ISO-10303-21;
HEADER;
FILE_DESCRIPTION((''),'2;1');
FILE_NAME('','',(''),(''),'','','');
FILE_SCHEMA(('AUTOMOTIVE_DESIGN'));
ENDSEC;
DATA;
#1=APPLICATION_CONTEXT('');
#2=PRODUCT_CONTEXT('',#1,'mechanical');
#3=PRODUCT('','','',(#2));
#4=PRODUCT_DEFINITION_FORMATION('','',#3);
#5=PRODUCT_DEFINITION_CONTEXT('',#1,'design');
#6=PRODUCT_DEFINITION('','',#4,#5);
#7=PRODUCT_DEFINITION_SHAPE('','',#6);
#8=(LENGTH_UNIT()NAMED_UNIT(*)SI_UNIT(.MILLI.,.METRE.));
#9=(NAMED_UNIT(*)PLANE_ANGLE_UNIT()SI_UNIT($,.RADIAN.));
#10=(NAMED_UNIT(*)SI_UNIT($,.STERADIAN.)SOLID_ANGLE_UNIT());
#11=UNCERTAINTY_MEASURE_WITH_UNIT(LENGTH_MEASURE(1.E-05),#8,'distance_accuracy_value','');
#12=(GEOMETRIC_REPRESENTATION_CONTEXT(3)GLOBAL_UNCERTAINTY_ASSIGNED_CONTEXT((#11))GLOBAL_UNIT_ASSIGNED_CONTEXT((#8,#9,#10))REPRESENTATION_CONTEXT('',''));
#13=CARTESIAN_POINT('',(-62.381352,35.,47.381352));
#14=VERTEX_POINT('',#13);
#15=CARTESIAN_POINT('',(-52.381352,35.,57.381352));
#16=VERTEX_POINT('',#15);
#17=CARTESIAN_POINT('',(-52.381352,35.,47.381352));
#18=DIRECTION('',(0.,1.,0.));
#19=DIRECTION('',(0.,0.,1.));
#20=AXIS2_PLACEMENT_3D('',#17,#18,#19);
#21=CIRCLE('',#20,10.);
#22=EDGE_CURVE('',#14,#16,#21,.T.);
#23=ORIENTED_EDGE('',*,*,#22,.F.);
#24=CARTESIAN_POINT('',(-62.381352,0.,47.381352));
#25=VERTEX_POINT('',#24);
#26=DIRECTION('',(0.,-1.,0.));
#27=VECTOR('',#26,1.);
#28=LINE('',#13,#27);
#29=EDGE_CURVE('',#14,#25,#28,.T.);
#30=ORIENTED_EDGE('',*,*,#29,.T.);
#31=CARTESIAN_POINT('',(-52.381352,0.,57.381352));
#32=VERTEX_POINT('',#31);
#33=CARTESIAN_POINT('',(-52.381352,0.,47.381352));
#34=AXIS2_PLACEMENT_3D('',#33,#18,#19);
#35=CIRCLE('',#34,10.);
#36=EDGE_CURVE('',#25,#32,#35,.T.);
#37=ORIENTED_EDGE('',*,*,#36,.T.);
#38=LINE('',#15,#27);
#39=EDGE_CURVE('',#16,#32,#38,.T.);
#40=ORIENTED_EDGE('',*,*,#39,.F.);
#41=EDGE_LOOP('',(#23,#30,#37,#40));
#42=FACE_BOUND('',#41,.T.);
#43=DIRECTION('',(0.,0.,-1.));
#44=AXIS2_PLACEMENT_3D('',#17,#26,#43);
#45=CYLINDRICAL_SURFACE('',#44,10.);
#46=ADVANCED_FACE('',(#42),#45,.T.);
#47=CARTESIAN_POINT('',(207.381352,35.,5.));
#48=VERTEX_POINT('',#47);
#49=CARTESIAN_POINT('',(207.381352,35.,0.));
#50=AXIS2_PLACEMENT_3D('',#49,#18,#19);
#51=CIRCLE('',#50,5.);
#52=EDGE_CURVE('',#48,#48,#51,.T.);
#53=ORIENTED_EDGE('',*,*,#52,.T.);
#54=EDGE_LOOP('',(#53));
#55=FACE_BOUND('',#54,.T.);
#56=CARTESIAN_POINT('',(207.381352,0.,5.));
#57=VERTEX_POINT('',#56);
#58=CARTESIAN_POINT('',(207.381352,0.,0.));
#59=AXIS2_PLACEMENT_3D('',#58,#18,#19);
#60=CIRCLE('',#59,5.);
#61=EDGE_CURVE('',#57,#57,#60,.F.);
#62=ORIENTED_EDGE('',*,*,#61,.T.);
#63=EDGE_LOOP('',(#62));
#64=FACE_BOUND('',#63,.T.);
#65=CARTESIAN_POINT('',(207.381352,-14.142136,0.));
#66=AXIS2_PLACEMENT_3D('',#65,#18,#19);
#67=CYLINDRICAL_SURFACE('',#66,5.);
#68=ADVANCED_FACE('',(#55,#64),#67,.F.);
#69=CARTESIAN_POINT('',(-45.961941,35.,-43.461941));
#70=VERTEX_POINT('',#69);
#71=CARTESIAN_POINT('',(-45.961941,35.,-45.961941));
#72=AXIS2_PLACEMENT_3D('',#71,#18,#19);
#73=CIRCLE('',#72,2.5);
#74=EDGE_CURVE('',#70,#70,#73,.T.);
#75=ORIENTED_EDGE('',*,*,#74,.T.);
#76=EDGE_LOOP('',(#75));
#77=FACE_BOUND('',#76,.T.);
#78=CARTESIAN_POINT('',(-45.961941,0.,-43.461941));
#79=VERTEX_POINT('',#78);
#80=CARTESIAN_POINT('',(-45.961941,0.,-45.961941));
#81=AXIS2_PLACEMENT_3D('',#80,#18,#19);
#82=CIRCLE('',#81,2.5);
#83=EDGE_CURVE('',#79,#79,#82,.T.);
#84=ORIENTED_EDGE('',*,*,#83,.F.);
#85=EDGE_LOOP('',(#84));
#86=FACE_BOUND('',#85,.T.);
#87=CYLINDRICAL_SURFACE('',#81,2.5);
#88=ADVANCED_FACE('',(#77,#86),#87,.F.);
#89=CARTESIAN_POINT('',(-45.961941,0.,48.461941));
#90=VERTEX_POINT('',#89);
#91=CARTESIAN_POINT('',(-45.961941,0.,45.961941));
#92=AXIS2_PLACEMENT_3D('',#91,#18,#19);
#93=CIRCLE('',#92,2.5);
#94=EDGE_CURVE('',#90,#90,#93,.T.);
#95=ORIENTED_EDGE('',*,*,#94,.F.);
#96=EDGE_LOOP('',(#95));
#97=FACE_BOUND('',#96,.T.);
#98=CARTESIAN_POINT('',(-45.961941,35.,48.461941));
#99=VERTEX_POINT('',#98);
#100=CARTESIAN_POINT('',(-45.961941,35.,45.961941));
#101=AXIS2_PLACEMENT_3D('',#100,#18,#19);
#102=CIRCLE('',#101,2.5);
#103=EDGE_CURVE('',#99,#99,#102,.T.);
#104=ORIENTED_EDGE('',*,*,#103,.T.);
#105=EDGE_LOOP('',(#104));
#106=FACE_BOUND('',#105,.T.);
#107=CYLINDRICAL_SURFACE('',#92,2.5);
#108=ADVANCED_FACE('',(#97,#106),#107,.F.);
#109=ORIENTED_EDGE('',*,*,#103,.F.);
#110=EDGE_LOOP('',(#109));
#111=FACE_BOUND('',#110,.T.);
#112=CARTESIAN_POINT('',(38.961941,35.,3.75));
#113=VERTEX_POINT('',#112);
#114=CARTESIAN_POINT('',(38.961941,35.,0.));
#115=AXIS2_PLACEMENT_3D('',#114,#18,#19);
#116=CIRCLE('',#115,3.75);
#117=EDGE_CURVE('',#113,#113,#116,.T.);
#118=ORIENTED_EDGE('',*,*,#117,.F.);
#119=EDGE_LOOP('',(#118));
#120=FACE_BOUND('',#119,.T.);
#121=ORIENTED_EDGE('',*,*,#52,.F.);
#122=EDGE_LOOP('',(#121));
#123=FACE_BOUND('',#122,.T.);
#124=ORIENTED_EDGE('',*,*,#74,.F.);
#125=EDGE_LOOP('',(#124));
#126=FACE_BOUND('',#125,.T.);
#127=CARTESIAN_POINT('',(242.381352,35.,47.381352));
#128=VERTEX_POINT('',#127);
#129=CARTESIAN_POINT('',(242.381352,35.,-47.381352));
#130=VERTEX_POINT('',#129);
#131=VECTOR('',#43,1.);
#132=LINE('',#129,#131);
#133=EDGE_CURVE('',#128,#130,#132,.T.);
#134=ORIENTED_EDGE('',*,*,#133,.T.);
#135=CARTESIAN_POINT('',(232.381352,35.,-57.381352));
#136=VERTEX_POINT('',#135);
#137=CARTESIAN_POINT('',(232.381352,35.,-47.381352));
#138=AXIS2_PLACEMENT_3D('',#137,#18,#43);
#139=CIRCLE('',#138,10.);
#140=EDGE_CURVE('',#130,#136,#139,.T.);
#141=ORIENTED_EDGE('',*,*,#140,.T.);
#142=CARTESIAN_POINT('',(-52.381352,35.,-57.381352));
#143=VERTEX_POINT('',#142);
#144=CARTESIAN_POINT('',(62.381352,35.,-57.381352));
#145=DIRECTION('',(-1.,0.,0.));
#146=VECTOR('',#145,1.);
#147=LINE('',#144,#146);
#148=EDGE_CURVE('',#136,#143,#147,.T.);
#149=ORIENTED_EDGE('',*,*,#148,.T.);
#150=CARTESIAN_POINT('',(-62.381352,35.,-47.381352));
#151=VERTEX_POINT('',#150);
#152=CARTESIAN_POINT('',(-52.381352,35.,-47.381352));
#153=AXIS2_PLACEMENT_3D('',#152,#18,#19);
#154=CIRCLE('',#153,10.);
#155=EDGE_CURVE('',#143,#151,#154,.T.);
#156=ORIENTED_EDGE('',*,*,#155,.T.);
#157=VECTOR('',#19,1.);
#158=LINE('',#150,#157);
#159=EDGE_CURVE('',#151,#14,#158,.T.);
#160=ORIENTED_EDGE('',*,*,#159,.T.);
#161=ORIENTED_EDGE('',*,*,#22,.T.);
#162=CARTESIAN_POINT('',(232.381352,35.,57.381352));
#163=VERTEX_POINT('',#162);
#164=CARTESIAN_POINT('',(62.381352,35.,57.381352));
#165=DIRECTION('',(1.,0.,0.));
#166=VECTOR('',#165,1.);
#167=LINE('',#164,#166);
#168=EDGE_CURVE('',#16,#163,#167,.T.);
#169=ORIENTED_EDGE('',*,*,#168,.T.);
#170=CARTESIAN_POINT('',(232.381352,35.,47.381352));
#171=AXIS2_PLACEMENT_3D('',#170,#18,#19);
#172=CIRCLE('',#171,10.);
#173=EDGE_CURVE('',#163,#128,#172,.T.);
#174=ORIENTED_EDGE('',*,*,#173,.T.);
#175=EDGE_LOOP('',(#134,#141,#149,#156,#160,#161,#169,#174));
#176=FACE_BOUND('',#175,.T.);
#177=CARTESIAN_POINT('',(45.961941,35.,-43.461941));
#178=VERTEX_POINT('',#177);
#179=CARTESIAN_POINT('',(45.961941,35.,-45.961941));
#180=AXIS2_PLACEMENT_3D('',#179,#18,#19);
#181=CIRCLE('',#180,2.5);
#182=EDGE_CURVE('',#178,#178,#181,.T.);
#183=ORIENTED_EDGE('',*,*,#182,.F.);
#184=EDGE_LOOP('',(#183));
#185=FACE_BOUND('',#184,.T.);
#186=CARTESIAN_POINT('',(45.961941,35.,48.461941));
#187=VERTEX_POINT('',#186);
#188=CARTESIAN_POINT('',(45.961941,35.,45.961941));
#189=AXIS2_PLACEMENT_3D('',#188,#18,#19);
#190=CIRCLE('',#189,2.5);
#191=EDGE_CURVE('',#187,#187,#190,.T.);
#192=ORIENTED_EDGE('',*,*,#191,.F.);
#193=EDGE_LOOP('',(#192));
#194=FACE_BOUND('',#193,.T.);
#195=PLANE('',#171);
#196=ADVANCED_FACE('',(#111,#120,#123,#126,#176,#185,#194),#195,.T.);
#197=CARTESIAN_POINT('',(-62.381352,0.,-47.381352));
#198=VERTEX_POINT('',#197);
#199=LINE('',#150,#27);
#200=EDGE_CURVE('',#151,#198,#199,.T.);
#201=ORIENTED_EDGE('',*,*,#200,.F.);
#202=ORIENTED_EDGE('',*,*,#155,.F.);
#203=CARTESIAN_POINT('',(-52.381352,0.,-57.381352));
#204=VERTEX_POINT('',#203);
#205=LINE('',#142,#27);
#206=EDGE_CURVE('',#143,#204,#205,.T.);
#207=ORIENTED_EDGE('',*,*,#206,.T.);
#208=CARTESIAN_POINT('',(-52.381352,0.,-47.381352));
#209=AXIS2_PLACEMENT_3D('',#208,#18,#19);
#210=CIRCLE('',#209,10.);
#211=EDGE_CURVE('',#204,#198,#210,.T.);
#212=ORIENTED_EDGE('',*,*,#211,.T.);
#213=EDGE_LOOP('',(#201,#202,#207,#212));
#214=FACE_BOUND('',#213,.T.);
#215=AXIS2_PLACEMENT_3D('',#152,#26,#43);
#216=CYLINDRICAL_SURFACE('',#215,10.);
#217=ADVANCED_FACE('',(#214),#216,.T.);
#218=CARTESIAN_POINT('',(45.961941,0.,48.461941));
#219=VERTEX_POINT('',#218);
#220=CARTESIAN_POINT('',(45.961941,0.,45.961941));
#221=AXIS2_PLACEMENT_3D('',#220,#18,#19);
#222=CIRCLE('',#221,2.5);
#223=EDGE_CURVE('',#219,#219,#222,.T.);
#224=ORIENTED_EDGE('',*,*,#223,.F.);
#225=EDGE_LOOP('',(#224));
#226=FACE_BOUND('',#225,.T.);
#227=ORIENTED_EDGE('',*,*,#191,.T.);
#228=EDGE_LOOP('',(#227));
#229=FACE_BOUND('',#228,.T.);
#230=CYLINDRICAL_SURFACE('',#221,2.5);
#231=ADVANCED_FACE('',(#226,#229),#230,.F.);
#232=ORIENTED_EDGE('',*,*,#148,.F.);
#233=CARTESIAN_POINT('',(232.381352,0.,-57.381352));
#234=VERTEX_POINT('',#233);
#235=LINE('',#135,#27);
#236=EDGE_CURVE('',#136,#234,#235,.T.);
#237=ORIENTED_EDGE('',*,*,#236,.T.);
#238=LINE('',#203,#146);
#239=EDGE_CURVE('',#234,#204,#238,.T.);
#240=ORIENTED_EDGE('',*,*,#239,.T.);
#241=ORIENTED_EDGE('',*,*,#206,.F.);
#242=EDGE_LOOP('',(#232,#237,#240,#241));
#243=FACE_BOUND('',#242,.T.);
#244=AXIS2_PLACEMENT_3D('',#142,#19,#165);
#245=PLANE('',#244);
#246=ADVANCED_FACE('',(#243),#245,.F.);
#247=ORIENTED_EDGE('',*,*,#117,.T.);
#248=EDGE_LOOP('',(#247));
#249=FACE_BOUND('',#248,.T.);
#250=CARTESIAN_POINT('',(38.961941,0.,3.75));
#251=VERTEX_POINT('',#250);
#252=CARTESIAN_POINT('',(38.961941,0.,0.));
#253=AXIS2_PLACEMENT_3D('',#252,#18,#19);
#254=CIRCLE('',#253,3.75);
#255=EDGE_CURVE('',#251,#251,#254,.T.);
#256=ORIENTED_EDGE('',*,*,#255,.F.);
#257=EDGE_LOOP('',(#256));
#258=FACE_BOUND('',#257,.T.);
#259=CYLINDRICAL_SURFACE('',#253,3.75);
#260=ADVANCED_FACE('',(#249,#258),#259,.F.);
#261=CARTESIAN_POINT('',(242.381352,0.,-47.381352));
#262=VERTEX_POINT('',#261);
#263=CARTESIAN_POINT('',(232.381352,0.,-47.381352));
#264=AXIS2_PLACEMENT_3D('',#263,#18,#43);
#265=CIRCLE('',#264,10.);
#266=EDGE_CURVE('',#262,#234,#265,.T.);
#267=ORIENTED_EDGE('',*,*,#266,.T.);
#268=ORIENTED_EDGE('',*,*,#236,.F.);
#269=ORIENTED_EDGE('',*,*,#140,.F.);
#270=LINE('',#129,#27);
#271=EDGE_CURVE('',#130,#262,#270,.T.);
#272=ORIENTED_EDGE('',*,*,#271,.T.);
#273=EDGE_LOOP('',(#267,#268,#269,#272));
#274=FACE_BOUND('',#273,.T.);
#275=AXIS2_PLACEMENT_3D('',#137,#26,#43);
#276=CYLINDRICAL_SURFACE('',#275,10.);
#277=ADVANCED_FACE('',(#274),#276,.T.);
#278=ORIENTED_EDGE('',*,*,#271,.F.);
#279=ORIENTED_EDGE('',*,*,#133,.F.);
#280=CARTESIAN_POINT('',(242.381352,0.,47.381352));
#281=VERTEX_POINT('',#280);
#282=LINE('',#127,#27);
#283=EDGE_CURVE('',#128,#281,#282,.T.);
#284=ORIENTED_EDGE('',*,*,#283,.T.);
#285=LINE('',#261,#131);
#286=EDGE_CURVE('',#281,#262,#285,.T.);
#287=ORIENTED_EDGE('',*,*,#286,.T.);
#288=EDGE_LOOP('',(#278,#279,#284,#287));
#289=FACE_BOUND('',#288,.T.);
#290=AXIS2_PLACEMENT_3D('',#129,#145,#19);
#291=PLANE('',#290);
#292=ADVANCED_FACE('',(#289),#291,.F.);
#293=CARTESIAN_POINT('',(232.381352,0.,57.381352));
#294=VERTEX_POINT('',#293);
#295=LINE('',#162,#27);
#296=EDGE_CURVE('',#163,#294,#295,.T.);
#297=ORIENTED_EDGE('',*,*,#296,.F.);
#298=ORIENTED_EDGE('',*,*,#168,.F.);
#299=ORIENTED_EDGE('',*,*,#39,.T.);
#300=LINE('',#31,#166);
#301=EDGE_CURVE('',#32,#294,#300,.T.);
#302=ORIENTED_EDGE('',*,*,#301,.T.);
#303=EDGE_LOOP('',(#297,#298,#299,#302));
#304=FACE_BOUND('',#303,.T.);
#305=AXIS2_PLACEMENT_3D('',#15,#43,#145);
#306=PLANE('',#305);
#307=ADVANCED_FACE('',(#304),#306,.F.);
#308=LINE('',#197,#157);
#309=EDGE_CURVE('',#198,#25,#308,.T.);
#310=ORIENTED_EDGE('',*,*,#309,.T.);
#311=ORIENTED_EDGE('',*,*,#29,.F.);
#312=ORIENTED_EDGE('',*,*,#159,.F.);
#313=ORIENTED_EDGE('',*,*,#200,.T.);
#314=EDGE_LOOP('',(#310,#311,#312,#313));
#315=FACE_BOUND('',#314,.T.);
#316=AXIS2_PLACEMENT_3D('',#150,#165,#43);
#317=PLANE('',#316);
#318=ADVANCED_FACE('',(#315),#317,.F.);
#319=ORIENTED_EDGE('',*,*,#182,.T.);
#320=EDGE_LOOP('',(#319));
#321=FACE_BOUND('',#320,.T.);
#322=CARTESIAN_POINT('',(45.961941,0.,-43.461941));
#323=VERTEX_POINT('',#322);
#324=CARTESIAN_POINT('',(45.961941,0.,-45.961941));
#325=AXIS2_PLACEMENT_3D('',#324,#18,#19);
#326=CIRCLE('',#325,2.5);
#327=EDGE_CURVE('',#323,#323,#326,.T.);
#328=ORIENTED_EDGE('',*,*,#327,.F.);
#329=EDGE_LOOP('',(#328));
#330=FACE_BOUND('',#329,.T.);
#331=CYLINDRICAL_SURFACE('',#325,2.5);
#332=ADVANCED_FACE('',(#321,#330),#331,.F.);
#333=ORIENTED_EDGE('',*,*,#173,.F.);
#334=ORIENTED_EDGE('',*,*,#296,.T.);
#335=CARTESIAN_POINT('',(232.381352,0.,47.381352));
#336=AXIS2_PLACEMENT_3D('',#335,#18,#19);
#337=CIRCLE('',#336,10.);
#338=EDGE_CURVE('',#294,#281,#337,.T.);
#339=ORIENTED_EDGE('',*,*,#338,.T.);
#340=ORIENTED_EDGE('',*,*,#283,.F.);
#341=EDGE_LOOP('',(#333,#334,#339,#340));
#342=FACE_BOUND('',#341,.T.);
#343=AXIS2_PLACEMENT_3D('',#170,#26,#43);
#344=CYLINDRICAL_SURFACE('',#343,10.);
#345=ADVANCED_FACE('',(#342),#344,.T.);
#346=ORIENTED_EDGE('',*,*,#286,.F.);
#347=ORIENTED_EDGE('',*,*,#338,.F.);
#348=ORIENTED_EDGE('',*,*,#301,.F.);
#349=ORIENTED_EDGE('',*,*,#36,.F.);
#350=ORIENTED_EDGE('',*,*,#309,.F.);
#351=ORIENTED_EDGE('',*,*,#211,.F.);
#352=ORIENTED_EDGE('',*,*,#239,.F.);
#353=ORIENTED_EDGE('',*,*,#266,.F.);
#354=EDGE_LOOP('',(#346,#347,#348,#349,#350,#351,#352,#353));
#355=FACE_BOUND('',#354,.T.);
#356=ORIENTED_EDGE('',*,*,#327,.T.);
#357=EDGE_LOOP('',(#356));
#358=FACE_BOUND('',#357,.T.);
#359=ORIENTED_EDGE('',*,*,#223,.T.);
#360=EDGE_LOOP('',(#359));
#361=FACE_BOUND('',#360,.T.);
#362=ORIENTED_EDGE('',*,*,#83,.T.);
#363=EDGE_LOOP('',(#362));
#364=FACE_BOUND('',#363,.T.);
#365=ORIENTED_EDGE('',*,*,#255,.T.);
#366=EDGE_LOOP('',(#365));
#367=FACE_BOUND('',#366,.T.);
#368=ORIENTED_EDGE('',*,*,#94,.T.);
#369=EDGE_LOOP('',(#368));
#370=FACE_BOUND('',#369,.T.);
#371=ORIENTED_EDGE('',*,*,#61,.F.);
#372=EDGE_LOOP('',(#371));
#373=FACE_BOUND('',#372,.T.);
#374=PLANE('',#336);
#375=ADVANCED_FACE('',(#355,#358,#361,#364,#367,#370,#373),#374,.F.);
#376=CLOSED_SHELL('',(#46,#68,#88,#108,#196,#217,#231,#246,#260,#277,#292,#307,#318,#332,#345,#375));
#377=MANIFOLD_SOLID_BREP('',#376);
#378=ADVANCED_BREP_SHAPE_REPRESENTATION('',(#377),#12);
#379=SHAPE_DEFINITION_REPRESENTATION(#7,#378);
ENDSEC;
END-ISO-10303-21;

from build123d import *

# Parameters (mm, degrees)
BOSS_EXTRUDE1_DEPTH = 35
SKETCH2_R           = 5
CUT_EXTRUDE1_DEPTH  = 35
SKETCH3_R           = 2.5
SKETCH3_R_2         = 3.75
CUT_EXTRUDE2_DEPTH  = 252.528008709


with BuildPart() as part:
    # Sketch1 → Boss-Extrude1 (new body)
    with BuildSketch(Plane(origin=(0, 0, 0), x_dir=(1, 0, 0), z_dir=(0, 1, 0))):
        with BuildLine():
            Line((-52.381351684, 57.381351684), (62.381351684, 57.381351684))
            Line((62.381351684, 57.381351684), (232.381351684, 57.381351684))
            ThreePointArc((232.381351684, 57.381351684), (239.452419496, 54.452419496), (242.381351684, 47.381351684))
            Line((242.381351684, 47.381351684), (242.381351684, -47.381351684))
            ThreePointArc((242.381351684, -47.381351684), (239.452419496, -54.452419496), (232.381351684, -57.381351684))
            Line((232.381351684, -57.381351684), (62.381351684, -57.381351684))
            Line((62.381351684, -57.381351684), (-52.381351684, -57.381351684))
            ThreePointArc((-52.381351684, -57.381351684), (-59.452419496, -54.452419496), (-62.381351684, -47.381351684))
            Line((-62.381351684, -47.381351684), (-62.381351684, 47.381351684))
            ThreePointArc((-62.381351684, 47.381351684), (-59.452419496, 54.452419496), (-52.381351684, 57.381351684))
        make_face()
    extrude(amount=BOSS_EXTRUDE1_DEPTH)

    # Sketch2 → Cut-Extrude1 (cut)
    with BuildSketch(Plane(origin=(0, 35, 0), x_dir=(1, 0, 0), z_dir=(0, 1, 0))):
        with Locations(Location((207.381351684, 0, 0), (0, 0, 270))):
            Circle(SKETCH2_R)
    extrude(amount=-CUT_EXTRUDE1_DEPTH, mode=Mode.SUBTRACT)

    # Sketch3 → Cut-Extrude2 (cut, through all)
    with BuildSketch(Plane(origin=(0, 35, 0), x_dir=(1, 0, 0), z_dir=(0, 1, 0))):
        with Locations(Location((45.961940777, 45.961940777, 0), (0, 0, 270))):
            Circle(SKETCH3_R)
        with Locations(Location((45.961940777, -45.961940777, 0), (0, 0, 270))):
            Circle(SKETCH3_R)
        with Locations(Location((-45.961940777, -45.961940777, 0), (0, 0, 270))):
            Circle(SKETCH3_R)
        with Locations(Location((-45.961940777, 45.961940777, 0), (0, 0, 270))):
            Circle(SKETCH3_R)
        with Locations(Location((38.961940777, 0, 0), (0, 0, 270))):
            Circle(SKETCH3_R_2)
    extrude(amount=-CUT_EXTRUDE2_DEPTH, mode=Mode.SUBTRACT)


solid = part.part
